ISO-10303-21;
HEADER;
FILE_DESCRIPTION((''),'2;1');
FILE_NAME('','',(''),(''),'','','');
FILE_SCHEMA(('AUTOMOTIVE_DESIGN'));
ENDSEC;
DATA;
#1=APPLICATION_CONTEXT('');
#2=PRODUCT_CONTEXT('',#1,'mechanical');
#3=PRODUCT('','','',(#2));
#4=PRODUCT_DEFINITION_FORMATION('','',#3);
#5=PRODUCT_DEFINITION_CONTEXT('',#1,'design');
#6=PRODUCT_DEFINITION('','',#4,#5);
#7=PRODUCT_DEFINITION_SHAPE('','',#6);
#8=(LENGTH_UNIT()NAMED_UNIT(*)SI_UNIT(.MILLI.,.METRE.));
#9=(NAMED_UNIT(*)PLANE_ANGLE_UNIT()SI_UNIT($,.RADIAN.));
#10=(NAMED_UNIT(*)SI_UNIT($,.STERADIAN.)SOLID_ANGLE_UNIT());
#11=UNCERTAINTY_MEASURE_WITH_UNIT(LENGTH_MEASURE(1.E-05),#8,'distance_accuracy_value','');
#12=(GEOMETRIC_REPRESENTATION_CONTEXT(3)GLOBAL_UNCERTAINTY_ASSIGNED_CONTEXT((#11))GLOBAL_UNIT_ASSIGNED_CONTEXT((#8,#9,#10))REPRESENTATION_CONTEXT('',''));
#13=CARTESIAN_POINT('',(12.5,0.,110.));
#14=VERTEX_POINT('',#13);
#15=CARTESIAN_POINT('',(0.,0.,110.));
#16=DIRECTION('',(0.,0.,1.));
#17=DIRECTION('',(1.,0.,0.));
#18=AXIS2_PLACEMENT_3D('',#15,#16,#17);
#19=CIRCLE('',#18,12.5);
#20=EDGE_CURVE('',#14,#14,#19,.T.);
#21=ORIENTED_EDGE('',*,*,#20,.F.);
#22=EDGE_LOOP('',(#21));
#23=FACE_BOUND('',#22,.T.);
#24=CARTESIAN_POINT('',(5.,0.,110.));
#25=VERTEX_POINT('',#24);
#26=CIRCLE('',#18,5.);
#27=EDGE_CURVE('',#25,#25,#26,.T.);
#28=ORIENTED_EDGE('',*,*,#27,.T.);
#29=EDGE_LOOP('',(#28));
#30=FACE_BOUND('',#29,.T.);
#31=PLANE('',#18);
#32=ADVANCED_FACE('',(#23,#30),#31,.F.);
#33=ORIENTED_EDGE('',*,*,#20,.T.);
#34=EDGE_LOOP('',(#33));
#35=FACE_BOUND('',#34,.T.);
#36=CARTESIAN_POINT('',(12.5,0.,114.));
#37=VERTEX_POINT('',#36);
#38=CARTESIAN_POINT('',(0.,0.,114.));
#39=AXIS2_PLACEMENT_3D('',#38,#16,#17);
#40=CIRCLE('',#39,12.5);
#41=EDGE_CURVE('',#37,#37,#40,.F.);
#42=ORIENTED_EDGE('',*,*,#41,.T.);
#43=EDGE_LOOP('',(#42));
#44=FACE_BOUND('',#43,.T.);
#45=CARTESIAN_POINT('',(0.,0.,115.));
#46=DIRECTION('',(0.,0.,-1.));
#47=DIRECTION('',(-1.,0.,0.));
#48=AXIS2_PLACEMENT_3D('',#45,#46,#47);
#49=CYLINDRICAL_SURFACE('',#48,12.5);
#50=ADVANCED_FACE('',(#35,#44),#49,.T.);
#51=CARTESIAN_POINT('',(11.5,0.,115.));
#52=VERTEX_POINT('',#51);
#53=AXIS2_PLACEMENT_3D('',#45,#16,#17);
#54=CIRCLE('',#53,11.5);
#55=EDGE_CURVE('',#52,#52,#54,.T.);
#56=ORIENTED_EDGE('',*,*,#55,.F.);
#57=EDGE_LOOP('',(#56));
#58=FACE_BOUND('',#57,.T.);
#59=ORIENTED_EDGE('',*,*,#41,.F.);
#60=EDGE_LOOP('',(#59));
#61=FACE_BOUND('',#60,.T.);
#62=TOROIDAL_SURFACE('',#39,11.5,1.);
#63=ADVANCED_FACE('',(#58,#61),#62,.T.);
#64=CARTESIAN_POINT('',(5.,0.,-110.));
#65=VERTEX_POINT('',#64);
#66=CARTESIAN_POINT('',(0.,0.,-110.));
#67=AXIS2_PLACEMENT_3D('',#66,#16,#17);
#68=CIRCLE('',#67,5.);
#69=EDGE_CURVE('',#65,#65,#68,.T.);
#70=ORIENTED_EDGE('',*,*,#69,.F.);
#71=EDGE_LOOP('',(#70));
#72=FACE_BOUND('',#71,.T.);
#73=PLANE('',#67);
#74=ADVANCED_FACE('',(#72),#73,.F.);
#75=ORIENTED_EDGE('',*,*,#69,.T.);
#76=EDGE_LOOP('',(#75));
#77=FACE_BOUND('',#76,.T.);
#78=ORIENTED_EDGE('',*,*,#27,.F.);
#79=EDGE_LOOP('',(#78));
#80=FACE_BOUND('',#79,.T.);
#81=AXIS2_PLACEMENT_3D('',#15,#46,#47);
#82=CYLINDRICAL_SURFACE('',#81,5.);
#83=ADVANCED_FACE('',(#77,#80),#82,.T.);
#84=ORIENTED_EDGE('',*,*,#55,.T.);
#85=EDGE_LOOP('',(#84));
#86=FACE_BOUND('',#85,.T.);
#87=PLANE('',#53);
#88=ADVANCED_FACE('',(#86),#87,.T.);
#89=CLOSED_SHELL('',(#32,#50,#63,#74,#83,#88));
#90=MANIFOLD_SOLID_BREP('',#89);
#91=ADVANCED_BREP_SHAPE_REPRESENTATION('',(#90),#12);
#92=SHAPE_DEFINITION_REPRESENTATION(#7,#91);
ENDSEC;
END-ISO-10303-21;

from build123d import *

# Parameters (mm, degrees)
SKETCH1_R           = 5
BOSS_EXTRUDE1_DEPTH = 110
SKETCH2_R           = 12.5
BOSS_EXTRUDE2_DEPTH = 5
FILLET1_R           = 1


with BuildPart() as part:
    # Sketch1 → Boss-Extrude1 (new, symmetric)
    with BuildSketch(Plane.XY):
        Circle(SKETCH1_R)
    extrude(amount=BOSS_EXTRUDE1_DEPTH, both=True)

    # Sketch2 → Boss-Extrude2 (add)
    with BuildSketch(Plane.XY.offset(110)):
        Circle(SKETCH2_R)
    extrude(amount=BOSS_EXTRUDE2_DEPTH)

    # Fillet1
    fillet1_edges = [part.edges().sort_by_distance(p)[0] for p in [
        (-12.5, 0, 115),
    ]]
    fillet(fillet1_edges, radius=FILLET1_R)


solid = part.part
